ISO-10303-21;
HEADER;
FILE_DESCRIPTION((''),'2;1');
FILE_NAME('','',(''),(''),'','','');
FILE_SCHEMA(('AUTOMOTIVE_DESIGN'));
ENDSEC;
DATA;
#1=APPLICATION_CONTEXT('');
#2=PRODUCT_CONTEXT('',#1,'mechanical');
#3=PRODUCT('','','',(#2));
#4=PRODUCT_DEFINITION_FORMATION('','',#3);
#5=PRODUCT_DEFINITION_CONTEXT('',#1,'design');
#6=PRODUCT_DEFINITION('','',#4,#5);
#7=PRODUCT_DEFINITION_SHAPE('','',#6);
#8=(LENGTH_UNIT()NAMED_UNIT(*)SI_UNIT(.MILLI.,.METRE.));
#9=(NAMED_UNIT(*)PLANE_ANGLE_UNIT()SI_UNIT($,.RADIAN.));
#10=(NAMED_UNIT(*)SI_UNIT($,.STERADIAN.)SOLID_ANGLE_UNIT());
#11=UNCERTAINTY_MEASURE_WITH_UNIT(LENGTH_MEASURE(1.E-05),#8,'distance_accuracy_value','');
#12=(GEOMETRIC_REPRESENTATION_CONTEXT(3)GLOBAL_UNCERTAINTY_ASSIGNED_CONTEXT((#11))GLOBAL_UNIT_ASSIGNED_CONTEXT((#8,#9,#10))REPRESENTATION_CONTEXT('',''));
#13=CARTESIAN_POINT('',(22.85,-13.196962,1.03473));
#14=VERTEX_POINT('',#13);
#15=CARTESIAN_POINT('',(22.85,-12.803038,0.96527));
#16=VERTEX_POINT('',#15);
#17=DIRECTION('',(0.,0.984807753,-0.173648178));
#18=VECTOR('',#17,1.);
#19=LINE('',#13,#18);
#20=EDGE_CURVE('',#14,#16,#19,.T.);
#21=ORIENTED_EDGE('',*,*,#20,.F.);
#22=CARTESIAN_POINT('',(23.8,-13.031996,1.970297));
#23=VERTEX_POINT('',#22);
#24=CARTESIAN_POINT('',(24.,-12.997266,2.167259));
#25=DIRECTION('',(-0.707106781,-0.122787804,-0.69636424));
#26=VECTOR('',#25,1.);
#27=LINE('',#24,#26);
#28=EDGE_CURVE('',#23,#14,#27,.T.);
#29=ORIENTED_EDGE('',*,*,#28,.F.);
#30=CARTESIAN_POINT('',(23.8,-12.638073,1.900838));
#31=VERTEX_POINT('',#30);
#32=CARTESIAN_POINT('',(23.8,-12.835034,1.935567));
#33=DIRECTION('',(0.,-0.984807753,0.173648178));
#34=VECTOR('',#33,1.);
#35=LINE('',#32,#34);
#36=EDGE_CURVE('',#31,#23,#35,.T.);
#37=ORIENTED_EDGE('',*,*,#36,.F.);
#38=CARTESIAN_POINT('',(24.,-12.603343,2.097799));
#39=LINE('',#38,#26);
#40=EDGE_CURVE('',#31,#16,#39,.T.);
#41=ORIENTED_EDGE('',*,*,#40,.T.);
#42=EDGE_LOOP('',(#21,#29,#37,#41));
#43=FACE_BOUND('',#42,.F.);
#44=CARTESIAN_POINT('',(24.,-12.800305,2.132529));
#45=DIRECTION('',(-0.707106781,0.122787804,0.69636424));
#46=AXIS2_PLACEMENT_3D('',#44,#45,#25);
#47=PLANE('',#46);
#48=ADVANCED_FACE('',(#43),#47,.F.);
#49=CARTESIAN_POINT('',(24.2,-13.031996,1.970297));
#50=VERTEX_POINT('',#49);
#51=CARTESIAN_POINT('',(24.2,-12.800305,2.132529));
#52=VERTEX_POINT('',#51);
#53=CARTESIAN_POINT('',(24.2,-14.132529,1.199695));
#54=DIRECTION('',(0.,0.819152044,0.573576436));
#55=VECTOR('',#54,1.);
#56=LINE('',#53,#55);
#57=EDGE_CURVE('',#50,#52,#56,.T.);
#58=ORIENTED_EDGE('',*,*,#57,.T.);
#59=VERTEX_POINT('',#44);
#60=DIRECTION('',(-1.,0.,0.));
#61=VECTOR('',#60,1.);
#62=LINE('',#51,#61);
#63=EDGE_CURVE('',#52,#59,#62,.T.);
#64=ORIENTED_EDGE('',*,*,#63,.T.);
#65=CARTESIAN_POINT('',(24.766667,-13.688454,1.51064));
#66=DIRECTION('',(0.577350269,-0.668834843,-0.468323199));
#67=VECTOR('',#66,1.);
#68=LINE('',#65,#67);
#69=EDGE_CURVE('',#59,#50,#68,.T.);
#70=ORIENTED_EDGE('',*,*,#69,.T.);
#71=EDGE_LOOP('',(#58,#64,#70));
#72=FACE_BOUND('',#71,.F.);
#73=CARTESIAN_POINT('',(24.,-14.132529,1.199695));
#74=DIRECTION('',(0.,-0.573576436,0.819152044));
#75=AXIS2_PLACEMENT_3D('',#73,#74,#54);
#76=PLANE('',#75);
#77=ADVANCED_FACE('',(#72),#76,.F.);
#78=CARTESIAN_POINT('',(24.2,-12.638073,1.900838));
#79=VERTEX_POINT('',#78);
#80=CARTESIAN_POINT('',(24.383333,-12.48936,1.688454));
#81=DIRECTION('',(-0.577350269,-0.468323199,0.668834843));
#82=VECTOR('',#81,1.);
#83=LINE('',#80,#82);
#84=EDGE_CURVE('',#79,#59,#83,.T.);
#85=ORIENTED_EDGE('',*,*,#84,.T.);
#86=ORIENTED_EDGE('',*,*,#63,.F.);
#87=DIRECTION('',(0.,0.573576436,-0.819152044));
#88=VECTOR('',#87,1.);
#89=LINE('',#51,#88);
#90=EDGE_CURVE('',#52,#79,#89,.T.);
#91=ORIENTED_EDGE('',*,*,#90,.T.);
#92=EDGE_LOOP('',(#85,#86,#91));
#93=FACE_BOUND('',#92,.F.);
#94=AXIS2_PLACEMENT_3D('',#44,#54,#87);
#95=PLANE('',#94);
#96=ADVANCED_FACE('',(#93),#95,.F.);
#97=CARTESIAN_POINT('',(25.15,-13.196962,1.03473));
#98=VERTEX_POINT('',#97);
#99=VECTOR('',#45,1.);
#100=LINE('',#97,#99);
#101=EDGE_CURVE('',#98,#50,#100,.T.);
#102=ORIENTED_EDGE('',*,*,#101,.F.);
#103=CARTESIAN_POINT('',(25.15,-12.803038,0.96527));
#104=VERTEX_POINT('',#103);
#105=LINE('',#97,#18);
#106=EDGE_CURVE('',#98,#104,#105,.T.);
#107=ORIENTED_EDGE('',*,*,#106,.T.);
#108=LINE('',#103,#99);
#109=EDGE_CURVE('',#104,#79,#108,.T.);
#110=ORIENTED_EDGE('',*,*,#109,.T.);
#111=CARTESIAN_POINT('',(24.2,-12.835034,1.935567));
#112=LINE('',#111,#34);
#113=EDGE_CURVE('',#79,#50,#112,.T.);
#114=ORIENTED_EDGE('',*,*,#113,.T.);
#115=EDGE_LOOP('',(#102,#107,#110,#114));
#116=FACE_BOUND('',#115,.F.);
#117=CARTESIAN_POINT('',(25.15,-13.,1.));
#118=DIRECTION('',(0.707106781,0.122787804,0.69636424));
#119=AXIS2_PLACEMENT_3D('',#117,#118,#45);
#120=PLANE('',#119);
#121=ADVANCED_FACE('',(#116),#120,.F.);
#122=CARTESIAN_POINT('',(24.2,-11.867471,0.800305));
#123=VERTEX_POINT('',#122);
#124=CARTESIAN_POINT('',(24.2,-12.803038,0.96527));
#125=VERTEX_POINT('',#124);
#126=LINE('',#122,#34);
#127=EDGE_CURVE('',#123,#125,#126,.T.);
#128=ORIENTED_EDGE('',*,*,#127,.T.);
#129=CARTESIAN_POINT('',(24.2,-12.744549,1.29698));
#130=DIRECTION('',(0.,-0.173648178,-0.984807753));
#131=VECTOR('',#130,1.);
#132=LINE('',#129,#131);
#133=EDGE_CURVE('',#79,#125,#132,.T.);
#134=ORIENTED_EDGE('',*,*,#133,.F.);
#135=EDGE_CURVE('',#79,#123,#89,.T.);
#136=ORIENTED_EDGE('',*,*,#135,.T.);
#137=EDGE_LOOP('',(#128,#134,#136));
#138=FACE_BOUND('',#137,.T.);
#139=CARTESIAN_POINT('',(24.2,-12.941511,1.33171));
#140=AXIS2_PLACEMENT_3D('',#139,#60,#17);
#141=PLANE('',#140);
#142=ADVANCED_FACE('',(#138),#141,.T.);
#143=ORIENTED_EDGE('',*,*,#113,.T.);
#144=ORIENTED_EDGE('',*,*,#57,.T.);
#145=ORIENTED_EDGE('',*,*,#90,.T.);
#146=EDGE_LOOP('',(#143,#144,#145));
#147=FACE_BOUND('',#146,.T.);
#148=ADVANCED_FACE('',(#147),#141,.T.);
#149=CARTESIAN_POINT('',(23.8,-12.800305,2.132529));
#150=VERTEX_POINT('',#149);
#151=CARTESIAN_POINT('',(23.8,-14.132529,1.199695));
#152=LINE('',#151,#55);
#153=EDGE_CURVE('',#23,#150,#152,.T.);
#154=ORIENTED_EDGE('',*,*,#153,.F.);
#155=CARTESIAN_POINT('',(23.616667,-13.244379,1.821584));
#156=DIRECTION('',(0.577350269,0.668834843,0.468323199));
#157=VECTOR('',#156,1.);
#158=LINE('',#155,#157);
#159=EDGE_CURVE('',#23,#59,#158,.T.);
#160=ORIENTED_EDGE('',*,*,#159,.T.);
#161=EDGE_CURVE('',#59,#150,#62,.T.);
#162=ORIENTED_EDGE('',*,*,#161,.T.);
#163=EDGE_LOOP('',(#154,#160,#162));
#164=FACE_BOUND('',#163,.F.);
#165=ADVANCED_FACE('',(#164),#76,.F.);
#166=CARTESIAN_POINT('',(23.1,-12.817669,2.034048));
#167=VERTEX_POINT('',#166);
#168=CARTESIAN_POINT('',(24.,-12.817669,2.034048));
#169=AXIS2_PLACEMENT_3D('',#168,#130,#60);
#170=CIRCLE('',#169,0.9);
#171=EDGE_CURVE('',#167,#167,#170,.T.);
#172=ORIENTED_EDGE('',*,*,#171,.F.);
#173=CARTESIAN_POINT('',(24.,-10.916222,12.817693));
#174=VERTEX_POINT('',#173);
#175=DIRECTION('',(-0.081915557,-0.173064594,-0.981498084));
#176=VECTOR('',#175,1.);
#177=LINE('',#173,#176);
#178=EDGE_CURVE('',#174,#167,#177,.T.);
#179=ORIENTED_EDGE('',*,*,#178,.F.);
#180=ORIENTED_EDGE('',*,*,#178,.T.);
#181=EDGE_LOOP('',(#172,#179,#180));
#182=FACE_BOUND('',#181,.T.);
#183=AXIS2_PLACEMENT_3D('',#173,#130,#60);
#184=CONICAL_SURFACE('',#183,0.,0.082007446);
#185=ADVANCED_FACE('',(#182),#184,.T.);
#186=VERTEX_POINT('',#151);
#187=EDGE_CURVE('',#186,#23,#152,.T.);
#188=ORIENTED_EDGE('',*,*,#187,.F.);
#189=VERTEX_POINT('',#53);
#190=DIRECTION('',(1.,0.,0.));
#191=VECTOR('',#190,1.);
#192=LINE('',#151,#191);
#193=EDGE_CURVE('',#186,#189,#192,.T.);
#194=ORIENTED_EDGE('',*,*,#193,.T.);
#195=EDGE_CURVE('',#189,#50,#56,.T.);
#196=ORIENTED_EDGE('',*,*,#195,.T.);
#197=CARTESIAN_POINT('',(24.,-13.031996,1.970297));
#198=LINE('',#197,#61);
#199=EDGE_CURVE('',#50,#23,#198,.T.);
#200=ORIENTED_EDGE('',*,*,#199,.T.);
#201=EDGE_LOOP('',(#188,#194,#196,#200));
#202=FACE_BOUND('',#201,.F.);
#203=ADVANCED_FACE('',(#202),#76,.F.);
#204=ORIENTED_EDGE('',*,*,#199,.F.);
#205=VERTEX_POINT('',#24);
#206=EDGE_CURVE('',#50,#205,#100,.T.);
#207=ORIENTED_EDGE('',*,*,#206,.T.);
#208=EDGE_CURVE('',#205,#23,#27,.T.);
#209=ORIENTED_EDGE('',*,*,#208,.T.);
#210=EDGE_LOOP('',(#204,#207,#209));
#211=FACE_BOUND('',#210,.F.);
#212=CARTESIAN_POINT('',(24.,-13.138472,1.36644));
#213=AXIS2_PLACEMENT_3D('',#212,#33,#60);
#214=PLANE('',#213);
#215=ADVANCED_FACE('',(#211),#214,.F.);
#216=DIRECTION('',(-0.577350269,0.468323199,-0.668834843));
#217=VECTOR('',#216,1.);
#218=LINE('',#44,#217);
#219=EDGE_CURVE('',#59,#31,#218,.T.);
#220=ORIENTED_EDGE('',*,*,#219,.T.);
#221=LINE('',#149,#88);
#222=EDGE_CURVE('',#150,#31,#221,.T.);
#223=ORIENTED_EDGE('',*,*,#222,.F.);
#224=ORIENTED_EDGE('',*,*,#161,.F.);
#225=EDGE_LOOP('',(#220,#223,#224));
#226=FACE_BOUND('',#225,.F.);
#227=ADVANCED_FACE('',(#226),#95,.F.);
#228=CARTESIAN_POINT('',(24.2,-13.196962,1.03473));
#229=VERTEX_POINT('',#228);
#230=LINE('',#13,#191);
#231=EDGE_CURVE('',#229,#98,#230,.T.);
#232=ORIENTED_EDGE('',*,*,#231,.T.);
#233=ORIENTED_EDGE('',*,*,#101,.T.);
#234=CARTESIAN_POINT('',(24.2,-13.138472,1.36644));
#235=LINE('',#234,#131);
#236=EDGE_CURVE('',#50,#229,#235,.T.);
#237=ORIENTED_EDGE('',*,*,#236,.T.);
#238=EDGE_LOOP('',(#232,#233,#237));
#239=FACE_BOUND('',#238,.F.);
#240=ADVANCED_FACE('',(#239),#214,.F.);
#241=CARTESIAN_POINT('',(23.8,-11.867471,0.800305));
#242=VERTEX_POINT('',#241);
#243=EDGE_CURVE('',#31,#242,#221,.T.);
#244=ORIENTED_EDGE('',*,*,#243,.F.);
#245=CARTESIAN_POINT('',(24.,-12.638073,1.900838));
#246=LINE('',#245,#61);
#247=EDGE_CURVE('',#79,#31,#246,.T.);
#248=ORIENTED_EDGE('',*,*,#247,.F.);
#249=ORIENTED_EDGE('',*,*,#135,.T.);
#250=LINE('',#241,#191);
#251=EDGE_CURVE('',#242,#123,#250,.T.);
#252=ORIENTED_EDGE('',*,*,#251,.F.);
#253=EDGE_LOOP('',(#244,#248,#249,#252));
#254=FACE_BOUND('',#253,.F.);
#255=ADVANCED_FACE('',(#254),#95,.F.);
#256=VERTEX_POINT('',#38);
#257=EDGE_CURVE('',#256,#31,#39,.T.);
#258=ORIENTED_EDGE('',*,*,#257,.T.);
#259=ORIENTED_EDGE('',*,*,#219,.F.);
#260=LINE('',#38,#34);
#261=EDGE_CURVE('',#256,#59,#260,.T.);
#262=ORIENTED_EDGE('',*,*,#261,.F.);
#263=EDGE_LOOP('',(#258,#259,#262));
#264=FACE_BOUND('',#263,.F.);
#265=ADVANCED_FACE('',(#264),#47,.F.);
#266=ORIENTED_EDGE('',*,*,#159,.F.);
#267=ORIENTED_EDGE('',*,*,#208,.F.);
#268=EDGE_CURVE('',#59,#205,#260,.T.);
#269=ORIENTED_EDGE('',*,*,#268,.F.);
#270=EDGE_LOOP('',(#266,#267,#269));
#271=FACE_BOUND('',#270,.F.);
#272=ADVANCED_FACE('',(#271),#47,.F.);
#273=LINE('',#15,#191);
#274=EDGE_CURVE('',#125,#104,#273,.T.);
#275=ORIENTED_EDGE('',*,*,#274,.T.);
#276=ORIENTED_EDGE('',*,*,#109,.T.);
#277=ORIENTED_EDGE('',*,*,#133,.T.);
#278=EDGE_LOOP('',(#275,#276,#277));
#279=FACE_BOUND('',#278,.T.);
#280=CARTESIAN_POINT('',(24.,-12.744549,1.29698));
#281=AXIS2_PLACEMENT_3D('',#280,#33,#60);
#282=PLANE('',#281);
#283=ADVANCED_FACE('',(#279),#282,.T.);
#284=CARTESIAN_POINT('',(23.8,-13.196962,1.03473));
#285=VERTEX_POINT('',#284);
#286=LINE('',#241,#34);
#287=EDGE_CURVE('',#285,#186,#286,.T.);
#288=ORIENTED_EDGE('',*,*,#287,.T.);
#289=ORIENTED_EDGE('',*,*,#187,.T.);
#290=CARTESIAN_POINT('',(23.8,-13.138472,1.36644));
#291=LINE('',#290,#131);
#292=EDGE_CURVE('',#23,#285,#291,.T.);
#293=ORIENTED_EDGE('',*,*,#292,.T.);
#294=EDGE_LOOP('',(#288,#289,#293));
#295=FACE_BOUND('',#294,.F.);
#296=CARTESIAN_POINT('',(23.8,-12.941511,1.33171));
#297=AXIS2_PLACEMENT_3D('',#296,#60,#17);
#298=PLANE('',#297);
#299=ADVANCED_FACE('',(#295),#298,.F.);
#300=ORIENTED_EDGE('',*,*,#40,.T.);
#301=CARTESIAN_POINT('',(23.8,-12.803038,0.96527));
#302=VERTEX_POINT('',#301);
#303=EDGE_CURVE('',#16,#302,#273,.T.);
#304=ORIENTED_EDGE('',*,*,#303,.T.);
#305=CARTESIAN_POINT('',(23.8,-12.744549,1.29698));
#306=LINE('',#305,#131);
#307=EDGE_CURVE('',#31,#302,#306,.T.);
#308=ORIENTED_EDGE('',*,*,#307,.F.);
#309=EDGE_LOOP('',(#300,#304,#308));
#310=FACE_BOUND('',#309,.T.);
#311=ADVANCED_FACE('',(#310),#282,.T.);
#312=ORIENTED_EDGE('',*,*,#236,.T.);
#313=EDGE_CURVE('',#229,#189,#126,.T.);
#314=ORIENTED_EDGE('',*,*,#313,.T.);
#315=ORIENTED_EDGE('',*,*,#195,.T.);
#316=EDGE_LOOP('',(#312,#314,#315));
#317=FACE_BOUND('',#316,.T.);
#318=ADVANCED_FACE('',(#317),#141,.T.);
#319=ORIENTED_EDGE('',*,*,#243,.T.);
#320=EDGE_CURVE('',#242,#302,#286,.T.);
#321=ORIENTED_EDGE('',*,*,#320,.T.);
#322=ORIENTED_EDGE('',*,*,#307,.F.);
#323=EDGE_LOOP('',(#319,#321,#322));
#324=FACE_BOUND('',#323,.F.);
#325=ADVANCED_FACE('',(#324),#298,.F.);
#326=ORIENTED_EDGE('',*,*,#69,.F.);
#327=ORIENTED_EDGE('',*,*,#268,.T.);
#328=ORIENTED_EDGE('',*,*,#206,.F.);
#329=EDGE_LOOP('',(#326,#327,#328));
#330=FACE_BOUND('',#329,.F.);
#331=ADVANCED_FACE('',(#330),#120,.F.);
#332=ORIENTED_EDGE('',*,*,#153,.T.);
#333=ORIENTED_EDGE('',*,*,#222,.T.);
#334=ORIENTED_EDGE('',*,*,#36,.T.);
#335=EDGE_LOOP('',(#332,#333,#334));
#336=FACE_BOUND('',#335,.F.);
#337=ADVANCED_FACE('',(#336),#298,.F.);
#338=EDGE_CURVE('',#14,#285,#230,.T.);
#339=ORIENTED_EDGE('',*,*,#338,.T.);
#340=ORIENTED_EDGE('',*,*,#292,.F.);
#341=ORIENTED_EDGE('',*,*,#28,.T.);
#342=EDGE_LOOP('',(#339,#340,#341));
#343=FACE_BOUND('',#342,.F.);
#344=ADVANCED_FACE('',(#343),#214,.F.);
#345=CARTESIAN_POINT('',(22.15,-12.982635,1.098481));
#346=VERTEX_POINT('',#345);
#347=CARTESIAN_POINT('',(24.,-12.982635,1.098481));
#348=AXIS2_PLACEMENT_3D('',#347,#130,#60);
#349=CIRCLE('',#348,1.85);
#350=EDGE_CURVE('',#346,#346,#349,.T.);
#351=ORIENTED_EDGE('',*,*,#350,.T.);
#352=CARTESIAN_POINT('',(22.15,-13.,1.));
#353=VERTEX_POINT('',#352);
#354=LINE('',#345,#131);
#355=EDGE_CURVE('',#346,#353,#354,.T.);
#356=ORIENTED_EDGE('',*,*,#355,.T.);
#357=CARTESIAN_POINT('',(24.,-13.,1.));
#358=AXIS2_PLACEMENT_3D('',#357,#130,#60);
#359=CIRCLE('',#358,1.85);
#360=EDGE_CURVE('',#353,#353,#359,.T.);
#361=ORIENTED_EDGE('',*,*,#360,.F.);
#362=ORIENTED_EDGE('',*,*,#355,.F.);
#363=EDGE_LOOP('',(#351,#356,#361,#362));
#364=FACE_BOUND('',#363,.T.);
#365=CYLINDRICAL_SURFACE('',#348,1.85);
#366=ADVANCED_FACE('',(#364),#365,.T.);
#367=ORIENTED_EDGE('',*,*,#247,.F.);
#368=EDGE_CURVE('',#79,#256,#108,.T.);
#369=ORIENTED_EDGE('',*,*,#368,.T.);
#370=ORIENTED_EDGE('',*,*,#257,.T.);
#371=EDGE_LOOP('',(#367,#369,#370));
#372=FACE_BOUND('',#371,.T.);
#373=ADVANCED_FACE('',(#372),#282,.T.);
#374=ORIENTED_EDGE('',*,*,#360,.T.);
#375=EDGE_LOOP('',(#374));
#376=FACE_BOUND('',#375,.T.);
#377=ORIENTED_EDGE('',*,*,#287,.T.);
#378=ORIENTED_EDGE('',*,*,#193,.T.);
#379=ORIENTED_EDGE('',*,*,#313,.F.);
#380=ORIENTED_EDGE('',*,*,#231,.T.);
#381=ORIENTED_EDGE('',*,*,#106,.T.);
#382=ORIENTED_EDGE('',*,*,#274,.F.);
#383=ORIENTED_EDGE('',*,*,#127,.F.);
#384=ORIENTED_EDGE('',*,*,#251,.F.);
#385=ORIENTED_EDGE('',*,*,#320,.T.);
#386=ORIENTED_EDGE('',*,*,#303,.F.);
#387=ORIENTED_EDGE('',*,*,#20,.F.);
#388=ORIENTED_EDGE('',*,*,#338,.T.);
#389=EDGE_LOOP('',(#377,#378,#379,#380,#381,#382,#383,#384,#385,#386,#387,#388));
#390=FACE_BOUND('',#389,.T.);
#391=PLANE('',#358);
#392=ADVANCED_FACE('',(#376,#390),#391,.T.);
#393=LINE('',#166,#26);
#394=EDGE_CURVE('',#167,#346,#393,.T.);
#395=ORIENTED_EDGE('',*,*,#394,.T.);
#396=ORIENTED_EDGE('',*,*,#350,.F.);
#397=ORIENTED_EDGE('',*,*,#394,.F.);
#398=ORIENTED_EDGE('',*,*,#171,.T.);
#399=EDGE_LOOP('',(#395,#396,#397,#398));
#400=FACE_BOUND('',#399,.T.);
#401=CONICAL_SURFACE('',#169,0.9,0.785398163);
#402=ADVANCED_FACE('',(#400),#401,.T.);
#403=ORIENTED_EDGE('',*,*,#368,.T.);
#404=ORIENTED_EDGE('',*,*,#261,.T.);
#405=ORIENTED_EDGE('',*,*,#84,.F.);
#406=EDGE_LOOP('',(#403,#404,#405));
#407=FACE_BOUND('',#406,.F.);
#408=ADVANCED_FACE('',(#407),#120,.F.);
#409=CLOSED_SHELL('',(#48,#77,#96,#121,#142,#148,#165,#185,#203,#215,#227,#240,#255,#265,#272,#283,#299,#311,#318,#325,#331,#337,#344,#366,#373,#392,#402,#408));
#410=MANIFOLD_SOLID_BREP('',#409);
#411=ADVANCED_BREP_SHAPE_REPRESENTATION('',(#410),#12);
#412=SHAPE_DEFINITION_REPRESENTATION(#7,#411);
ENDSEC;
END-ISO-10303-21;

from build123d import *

# Parameters (mm, degrees)
POCKET003_DEPTH         = 0.2
POLARPATTERN_COUNT      = 2
POLARPATTERN_ANGLE      = 90
BODY006_ROLL_ANGLE      = -170
BODY006_PLACEMENT_ANGLE = 180


with BuildPart() as part:
    # Sketch020 → Revolution (revolve)
    with BuildSketch(Plane.XZ):
        Polygon((0, 0), (0, -12), (0.9, -1.05), (1.85, -0.1), (1.85, 0), align=None)
    revolve(axis=Axis((0, 0, 0), (0, 0, 1)))

    # Sketch021 → Pocket003 (cut, symmetric)
    with BuildSketch(Plane.XZ):
        Polygon((-1.15, 0), (0, -1.15), (1.15, 0), align=None)
    pocket003 = extrude(amount=POCKET003_DEPTH, both=True, mode=Mode.SUBTRACT)

    # PolarPattern: Pocket003 ×2 about axis
    polarpattern_axis = Axis((0, 0, 0), (0, 0, 1))
    for i in range(1, POLARPATTERN_COUNT):
        add(pocket003.rotate(polarpattern_axis, i * POLARPATTERN_ANGLE / (POLARPATTERN_COUNT - 1)), mode=Mode.SUBTRACT)


with BuildPart() as part_1:
    # Body006 roll: moved
    add(part.part.rotate(Axis((0, 0, 0), (1, 0, 0)), BODY006_ROLL_ANGLE))


with BuildPart() as part_2:
    # Body006 placement: moved
    add(part_1.part.moved(Location((24, -13, 1))).rotate(Axis((24, -13, 1), (0, 0, 1)), BODY006_PLACEMENT_ANGLE))


solid = part_2.part
